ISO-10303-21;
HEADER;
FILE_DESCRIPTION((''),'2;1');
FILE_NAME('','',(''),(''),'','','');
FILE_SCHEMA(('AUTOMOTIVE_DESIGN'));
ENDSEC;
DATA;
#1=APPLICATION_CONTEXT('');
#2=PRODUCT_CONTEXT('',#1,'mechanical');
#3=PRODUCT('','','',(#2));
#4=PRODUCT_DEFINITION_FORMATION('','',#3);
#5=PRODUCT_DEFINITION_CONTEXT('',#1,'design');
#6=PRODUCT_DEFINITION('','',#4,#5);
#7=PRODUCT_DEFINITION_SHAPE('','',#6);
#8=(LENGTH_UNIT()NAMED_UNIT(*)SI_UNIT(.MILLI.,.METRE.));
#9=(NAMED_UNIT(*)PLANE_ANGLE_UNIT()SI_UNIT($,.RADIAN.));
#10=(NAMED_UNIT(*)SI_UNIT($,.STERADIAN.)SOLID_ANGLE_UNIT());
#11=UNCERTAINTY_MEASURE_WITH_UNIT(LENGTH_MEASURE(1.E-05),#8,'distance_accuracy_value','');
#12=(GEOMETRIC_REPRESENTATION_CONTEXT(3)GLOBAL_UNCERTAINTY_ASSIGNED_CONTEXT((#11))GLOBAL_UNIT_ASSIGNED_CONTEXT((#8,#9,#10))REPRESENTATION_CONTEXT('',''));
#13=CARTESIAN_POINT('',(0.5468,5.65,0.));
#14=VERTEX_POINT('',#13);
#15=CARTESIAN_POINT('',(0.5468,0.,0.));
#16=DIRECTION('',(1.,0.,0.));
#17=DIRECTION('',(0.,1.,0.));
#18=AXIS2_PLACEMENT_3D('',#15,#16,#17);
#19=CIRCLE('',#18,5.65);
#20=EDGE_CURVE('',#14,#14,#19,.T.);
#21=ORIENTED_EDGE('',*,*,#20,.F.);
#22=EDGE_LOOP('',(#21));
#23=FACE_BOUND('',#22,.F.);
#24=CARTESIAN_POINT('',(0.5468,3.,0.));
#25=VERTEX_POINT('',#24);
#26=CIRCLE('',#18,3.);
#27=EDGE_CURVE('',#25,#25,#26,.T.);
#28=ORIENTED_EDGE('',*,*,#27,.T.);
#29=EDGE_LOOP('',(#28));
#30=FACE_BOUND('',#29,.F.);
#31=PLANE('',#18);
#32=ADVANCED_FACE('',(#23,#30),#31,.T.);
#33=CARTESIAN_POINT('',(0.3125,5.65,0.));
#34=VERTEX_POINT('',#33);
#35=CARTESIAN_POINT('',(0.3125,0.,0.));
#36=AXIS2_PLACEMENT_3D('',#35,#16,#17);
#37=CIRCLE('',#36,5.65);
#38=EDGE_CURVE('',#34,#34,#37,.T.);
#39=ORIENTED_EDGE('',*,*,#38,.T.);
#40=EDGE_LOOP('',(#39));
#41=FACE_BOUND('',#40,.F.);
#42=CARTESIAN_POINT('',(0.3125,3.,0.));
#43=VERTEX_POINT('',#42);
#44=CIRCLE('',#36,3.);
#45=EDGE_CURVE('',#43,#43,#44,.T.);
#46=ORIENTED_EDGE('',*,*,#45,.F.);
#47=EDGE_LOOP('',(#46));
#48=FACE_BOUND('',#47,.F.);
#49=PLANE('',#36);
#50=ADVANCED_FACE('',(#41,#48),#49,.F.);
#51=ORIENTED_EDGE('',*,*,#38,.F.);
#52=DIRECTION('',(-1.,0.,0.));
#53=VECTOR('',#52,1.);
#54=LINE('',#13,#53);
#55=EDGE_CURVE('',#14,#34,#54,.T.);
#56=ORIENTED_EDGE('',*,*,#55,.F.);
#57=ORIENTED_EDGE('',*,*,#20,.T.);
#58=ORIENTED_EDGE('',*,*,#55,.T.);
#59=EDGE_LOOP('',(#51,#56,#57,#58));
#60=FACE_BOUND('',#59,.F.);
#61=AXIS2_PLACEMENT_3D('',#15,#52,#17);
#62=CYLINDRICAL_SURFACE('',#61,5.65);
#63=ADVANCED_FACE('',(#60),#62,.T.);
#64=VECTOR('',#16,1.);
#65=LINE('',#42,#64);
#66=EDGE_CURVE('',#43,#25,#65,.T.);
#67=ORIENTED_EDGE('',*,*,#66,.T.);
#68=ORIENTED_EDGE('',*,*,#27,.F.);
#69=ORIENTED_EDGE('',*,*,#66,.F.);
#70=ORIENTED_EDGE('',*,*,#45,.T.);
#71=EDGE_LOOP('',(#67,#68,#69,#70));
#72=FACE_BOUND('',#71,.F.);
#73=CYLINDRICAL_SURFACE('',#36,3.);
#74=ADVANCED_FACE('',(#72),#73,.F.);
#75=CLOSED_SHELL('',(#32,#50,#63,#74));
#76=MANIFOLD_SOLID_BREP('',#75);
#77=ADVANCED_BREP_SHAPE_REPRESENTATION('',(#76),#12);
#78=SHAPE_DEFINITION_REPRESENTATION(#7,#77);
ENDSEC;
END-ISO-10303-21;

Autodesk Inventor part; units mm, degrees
sketch "Sketch_1" plane through (0, 0, 0) normal (0, 0, 1) x (1, 0, 0)
  line L0 (0.5468, 0) -> (0.3125, 0)
  line L1 (0.3125, 3) -> (0.5468, 3)
  line L2 (0.5468, 3) -> (0.5468, 5.65)
  line L3 (0.5468, 5.65) -> (0.3125, 5.65)
  line L4 (0.3125, 5.65) -> (0.3125, 3)
revolve "Revolution1" add sketch "Sketch_1" angle 360 about axis through (0.5468, 0, 0) along (1, 0, 0)
ref_plane "ip_st_1_XY" through (0.3125, 0, 0) normal (-1, 0, 0) x (0, 0, -1)
ref_plane "ip_st_1_YZ" through (0.3125, 0, 0) normal (0, 0, -1) x (0, -1, 0)
ref_plane "ip_st_1_ZX" through (0.3125, 0, 0) normal (0, -1, 0) x (-1, 0, 0)
properties part number "F624ZZ Shield1"
